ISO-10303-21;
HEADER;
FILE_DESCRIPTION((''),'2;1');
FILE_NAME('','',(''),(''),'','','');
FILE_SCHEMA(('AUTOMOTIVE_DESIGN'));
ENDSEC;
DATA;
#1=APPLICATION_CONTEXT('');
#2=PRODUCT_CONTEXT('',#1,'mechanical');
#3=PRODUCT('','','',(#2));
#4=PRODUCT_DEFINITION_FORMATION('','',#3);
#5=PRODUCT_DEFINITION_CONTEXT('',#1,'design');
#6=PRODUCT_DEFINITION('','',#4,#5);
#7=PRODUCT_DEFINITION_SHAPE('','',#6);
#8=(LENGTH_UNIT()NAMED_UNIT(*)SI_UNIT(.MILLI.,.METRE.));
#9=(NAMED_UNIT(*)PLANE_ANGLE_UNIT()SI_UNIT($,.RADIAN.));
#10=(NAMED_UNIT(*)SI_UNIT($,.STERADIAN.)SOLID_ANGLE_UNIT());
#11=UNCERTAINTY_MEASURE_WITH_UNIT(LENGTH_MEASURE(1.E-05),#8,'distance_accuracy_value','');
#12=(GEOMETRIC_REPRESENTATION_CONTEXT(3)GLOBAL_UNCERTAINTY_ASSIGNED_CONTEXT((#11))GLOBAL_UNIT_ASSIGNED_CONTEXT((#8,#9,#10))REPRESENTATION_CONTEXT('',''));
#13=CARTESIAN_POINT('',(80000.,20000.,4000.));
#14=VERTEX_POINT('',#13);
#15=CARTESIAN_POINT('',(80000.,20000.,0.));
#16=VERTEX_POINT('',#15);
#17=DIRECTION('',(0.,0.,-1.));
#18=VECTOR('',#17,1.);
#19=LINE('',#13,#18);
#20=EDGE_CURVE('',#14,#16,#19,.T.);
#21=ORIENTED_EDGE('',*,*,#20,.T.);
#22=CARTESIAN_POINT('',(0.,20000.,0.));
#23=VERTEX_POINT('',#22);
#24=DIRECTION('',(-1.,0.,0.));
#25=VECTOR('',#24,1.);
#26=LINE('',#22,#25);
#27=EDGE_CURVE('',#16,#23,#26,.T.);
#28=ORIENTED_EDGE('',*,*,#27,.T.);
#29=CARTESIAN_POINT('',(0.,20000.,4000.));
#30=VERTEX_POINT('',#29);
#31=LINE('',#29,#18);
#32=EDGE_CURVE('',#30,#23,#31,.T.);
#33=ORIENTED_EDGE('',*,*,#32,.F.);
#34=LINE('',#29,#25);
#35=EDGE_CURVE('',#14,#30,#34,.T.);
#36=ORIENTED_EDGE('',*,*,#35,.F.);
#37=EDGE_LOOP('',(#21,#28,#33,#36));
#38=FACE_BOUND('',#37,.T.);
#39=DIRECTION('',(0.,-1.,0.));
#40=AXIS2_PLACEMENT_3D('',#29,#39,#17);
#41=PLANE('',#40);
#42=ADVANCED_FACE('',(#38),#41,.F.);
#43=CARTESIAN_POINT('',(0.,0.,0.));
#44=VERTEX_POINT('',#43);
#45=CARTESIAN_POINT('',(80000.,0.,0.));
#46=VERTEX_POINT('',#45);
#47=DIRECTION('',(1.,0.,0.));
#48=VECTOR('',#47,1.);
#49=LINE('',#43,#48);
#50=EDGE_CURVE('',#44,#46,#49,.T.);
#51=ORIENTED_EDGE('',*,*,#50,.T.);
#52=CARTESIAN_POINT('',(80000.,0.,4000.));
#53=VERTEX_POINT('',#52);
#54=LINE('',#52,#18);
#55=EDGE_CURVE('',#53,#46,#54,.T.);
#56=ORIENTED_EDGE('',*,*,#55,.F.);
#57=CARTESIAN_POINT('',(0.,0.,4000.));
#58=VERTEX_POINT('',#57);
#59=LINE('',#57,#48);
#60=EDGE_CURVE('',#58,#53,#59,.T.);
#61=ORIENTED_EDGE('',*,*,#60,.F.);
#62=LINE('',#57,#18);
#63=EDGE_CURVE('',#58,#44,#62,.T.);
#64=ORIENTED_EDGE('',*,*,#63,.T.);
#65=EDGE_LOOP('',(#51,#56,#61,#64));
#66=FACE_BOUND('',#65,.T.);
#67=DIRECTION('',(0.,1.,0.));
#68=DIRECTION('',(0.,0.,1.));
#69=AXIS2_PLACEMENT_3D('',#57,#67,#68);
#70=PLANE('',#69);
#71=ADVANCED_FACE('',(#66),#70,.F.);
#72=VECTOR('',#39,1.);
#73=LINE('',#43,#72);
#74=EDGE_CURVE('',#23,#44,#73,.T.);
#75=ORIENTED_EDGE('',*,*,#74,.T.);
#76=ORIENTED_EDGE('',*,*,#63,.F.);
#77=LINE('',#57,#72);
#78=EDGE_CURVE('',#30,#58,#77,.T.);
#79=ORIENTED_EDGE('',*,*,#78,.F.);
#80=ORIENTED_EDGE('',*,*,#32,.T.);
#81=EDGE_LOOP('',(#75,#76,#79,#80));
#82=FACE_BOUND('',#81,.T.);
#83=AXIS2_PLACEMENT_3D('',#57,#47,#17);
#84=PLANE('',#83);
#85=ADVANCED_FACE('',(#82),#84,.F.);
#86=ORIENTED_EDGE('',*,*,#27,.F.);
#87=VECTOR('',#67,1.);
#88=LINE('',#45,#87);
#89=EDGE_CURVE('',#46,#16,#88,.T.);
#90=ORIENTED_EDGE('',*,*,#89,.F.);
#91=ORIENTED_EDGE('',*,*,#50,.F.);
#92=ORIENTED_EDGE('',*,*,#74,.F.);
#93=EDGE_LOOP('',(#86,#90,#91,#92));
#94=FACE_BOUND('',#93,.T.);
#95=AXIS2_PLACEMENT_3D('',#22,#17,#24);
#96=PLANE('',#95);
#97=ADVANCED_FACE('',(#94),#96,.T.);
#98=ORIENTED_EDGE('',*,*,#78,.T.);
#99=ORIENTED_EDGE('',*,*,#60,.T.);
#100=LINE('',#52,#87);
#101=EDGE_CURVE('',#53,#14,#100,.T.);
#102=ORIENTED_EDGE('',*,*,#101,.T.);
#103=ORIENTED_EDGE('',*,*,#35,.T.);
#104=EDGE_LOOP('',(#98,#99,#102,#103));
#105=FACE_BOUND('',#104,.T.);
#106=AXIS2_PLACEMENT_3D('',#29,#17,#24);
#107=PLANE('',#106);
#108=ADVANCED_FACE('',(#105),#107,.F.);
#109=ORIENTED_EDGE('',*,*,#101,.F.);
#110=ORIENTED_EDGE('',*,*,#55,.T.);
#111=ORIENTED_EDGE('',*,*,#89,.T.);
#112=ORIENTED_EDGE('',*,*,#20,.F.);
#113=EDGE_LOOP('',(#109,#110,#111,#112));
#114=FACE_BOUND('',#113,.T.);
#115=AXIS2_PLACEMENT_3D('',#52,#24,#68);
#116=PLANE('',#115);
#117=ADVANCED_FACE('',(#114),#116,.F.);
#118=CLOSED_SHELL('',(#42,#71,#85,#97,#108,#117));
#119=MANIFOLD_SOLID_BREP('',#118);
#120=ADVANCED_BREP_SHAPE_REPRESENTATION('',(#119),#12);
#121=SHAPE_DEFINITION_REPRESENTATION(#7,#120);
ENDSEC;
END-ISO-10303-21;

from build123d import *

# Parameters (mm, degrees)
SKETCH1_W      = 80000
SKETCH1_H      = 20000
EXTRUDE1_DEPTH = 4000


with BuildPart() as part:
    # Sketch1 → Extrude1 (new body)
    with BuildSketch(Plane.XY):
        with Locations((40000, 10000)):
            Rectangle(SKETCH1_W, SKETCH1_H)
    extrude(amount=EXTRUDE1_DEPTH)


solid = part.part
